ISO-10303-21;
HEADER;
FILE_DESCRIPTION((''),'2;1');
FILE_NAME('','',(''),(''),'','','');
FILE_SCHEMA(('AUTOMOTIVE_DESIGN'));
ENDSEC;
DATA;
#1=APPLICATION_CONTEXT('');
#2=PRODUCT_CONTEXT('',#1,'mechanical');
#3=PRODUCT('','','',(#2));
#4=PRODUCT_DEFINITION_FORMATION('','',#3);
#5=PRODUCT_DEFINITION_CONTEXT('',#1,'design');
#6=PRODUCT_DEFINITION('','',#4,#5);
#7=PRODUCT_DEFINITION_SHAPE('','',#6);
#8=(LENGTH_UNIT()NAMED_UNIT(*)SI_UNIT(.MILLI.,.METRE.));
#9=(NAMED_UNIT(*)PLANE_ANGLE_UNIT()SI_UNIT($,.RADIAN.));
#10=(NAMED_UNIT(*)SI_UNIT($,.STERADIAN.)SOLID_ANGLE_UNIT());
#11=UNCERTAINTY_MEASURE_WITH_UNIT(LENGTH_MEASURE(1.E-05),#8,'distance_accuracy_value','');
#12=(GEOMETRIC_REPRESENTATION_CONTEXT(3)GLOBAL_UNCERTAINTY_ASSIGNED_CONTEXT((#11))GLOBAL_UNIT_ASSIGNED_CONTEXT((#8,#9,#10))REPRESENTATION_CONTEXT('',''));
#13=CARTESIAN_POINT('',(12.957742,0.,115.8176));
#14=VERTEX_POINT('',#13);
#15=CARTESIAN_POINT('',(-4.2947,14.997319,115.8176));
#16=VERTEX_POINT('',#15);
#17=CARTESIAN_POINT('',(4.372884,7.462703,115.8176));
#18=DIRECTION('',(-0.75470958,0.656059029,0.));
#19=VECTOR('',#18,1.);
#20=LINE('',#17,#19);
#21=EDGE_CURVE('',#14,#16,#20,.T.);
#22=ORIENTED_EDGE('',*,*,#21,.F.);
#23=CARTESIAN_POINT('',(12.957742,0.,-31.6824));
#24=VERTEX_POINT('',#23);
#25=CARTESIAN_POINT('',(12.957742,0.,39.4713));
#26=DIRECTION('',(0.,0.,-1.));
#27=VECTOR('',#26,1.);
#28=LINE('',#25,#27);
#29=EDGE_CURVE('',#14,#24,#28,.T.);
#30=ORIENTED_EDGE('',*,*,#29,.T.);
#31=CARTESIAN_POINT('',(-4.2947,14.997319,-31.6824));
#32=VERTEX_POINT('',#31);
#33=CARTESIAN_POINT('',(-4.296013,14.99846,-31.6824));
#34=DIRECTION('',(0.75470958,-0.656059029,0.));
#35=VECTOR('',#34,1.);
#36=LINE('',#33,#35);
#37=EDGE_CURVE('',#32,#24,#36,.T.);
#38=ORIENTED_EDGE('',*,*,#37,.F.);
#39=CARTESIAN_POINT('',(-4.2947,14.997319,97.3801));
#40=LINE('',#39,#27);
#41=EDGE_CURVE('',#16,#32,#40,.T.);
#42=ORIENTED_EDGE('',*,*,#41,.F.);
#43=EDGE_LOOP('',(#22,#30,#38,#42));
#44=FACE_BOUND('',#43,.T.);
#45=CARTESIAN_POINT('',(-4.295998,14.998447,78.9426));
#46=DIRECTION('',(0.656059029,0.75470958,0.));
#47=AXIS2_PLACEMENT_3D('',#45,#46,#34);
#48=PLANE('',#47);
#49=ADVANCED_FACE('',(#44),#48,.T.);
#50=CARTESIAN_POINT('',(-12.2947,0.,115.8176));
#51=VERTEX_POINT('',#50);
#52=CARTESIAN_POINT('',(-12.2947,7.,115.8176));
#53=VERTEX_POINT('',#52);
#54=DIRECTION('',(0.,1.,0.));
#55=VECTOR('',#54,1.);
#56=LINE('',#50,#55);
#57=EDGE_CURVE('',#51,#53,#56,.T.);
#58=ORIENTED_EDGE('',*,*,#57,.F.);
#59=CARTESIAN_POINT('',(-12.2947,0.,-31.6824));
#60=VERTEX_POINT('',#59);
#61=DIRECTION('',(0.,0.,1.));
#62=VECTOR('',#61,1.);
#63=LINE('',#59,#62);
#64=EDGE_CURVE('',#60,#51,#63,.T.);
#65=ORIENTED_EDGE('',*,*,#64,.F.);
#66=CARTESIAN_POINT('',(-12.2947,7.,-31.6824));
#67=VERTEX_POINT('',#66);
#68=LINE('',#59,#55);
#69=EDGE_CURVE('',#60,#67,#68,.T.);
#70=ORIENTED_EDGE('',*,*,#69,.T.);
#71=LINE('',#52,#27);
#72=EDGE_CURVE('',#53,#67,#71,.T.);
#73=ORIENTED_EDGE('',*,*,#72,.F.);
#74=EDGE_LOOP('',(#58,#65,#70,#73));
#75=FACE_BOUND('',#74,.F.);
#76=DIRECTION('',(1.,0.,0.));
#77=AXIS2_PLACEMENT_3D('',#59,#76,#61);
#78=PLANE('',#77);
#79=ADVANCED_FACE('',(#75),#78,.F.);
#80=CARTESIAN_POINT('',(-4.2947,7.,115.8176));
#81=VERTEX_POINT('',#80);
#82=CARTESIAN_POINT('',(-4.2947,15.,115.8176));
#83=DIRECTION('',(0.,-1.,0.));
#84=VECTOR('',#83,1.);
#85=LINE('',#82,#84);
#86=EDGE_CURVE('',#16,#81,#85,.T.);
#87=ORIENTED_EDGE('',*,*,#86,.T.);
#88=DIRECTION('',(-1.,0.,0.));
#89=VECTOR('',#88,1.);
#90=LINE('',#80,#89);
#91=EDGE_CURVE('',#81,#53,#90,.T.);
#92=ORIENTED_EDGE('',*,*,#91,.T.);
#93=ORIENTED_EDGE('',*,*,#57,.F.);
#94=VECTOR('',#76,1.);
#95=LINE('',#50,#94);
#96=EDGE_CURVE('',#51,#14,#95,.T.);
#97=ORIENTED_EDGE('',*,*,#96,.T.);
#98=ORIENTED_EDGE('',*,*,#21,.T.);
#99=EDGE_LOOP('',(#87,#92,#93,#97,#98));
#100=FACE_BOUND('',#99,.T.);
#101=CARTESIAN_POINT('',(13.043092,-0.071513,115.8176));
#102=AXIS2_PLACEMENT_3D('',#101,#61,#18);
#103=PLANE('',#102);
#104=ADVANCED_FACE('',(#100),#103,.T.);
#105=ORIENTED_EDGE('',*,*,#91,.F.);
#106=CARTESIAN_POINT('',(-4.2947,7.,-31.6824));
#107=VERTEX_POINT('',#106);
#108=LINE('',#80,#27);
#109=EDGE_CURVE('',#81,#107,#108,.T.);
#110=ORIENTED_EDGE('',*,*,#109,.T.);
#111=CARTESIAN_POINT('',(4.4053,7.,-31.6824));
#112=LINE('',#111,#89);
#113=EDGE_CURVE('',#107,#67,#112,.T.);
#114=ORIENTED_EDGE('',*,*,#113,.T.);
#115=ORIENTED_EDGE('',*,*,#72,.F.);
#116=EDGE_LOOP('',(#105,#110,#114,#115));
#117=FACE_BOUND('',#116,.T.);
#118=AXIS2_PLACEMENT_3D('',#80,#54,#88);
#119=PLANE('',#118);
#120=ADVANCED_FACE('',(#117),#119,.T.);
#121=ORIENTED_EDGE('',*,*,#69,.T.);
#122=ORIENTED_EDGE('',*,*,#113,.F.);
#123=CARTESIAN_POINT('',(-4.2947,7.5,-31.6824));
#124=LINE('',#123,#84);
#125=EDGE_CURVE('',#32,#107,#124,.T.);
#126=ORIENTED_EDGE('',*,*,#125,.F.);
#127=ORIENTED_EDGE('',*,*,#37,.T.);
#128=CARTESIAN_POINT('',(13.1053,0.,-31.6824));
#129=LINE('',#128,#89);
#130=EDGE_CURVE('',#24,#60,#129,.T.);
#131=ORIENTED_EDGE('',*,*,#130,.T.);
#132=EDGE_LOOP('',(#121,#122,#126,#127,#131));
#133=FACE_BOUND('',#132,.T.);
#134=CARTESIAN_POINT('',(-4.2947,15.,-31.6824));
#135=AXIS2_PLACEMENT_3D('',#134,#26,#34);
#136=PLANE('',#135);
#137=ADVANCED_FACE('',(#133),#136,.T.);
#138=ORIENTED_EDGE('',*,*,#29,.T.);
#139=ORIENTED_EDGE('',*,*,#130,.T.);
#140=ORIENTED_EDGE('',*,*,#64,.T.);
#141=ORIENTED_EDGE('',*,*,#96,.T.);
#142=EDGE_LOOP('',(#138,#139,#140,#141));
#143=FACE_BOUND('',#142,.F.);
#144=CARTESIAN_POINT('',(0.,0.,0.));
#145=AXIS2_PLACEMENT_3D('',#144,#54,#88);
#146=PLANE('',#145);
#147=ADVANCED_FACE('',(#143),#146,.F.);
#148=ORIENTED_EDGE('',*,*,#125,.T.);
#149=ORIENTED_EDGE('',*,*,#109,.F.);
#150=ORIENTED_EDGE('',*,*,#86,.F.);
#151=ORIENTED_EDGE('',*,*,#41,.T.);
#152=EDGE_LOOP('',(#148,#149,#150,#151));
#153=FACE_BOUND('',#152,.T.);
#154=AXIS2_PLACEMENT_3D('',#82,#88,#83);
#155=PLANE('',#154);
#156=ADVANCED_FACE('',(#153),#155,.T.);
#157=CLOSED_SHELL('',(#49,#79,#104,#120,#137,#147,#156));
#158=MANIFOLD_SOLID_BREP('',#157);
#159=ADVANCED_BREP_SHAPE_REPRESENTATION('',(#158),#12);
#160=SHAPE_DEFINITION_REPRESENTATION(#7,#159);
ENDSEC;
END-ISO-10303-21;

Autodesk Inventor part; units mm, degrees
ref_plane "YZ Plane" through (0, 0, 0) normal (1, 0, 0) x (0, 1, 0)
ref_plane "XZ Plane" through (0, 0, 0) normal (0, 1, 0) x (-1, 0, 0)
ref_plane "XY Plane" through (0, 0, 0) normal (0, 0, 1) x (1, 0, 0)
sketch "Sketch1" plane through (0, 0, 0) normal (0, 1, 0) x (-1, 0, 0)
  line L0 (12.2947, 115.8176) -> (-13.1053, 115.8176)
  line L1 (-13.1053, 115.8176) -> (-13.1053, -31.6824)
  line L2 (-13.1053, -31.6824) -> (12.2947, -31.6824)
  line L3 (12.2947, -31.6824) -> (12.2947, 115.8176)
  point P0 (0, 0)
  dimension "d0" = 25.4
  dimension "d1" = 147.5
extrude "Extrusion1" add sketch "Sketch1" along normal blind 15
sketch "Sketch2" plane through (-12.2947, 0, 115.8176) normal (0, 0, 1) x (1, 0, 0)
  line L0 (0, 15) -> (8, 15)
  line L1 (8, 15) -> (8, 7)
  line L2 (8, 7) -> (0, 7)
  line L3 (0, 7) -> (0, 15)
  point P0 (12.2947, 0)
  dimension "d13" = 8
extrude "Extrusion2" cut sketch "Sketch2" against normal through all
ref_plane "Work Plane1" through (-4.2947, 15, 78.9426) normal (0.6561, 0.7547, 0) x (0, 0, 1)
sketch "Sketch3" plane through (-4.2947, 15, 78.9426) normal (0.6561, 0.7547, 0) x (0, 0, 1)
  line L0 (36.875, 0) -> (36.875, 13.1319) construction
  line L1 (-110.625, 22.9728) -> (-110.625, 3.8032) construction
  line L2 (36.875, 0) -> (-110.625, 0)
  line L3 (-110.625, 0) -> (-110.625, 22.9728)
  line L4 (-110.625, 22.9728) -> (36.875, 22.9728)
  line L5 (36.875, 22.9728) -> (36.875, 0)
  point P0 (-78.9426, 13.0821)
extrude "Extrusion3" add sketch "Sketch3" along normal blind 15
sketch "Sketch4" plane through (5.5462, 26.3206, 78.9426) normal (0.6561, 0.7547, 0) x (0.7547, -0.6561, 0)
  line L0 (22.8638, 110.625) -> (22.8638, -36.875) construction
  line L1 (0, -36.875) -> (22.8638, -36.875)
  line L2 (-1.723, -37.6113) -> (24.2555, -37.6113)
  line L3 (24.2555, -37.6113) -> (24.2555, 112.242)
  line L4 (24.2555, 112.242) -> (-1.723, 112.242)
  line L5 (-1.723, 112.242) -> (-1.723, -37.6113)
extrude "Extrusion4" cut sketch "Sketch4" against normal blind 15
ref_plane "Work Plane2" through (-12.2947, 7, 42.0676) normal (-0.5, -0.866, 0) x (0, 0, -1)
sketch "Sketch5" plane through (-12.2947, 7, 42.0676) normal (-0.5, -0.866, 0) x (0, 0, -1)
  point P0 (42.0676, 14.1475)
properties part number "Ramp version 2 {needs editing}"
